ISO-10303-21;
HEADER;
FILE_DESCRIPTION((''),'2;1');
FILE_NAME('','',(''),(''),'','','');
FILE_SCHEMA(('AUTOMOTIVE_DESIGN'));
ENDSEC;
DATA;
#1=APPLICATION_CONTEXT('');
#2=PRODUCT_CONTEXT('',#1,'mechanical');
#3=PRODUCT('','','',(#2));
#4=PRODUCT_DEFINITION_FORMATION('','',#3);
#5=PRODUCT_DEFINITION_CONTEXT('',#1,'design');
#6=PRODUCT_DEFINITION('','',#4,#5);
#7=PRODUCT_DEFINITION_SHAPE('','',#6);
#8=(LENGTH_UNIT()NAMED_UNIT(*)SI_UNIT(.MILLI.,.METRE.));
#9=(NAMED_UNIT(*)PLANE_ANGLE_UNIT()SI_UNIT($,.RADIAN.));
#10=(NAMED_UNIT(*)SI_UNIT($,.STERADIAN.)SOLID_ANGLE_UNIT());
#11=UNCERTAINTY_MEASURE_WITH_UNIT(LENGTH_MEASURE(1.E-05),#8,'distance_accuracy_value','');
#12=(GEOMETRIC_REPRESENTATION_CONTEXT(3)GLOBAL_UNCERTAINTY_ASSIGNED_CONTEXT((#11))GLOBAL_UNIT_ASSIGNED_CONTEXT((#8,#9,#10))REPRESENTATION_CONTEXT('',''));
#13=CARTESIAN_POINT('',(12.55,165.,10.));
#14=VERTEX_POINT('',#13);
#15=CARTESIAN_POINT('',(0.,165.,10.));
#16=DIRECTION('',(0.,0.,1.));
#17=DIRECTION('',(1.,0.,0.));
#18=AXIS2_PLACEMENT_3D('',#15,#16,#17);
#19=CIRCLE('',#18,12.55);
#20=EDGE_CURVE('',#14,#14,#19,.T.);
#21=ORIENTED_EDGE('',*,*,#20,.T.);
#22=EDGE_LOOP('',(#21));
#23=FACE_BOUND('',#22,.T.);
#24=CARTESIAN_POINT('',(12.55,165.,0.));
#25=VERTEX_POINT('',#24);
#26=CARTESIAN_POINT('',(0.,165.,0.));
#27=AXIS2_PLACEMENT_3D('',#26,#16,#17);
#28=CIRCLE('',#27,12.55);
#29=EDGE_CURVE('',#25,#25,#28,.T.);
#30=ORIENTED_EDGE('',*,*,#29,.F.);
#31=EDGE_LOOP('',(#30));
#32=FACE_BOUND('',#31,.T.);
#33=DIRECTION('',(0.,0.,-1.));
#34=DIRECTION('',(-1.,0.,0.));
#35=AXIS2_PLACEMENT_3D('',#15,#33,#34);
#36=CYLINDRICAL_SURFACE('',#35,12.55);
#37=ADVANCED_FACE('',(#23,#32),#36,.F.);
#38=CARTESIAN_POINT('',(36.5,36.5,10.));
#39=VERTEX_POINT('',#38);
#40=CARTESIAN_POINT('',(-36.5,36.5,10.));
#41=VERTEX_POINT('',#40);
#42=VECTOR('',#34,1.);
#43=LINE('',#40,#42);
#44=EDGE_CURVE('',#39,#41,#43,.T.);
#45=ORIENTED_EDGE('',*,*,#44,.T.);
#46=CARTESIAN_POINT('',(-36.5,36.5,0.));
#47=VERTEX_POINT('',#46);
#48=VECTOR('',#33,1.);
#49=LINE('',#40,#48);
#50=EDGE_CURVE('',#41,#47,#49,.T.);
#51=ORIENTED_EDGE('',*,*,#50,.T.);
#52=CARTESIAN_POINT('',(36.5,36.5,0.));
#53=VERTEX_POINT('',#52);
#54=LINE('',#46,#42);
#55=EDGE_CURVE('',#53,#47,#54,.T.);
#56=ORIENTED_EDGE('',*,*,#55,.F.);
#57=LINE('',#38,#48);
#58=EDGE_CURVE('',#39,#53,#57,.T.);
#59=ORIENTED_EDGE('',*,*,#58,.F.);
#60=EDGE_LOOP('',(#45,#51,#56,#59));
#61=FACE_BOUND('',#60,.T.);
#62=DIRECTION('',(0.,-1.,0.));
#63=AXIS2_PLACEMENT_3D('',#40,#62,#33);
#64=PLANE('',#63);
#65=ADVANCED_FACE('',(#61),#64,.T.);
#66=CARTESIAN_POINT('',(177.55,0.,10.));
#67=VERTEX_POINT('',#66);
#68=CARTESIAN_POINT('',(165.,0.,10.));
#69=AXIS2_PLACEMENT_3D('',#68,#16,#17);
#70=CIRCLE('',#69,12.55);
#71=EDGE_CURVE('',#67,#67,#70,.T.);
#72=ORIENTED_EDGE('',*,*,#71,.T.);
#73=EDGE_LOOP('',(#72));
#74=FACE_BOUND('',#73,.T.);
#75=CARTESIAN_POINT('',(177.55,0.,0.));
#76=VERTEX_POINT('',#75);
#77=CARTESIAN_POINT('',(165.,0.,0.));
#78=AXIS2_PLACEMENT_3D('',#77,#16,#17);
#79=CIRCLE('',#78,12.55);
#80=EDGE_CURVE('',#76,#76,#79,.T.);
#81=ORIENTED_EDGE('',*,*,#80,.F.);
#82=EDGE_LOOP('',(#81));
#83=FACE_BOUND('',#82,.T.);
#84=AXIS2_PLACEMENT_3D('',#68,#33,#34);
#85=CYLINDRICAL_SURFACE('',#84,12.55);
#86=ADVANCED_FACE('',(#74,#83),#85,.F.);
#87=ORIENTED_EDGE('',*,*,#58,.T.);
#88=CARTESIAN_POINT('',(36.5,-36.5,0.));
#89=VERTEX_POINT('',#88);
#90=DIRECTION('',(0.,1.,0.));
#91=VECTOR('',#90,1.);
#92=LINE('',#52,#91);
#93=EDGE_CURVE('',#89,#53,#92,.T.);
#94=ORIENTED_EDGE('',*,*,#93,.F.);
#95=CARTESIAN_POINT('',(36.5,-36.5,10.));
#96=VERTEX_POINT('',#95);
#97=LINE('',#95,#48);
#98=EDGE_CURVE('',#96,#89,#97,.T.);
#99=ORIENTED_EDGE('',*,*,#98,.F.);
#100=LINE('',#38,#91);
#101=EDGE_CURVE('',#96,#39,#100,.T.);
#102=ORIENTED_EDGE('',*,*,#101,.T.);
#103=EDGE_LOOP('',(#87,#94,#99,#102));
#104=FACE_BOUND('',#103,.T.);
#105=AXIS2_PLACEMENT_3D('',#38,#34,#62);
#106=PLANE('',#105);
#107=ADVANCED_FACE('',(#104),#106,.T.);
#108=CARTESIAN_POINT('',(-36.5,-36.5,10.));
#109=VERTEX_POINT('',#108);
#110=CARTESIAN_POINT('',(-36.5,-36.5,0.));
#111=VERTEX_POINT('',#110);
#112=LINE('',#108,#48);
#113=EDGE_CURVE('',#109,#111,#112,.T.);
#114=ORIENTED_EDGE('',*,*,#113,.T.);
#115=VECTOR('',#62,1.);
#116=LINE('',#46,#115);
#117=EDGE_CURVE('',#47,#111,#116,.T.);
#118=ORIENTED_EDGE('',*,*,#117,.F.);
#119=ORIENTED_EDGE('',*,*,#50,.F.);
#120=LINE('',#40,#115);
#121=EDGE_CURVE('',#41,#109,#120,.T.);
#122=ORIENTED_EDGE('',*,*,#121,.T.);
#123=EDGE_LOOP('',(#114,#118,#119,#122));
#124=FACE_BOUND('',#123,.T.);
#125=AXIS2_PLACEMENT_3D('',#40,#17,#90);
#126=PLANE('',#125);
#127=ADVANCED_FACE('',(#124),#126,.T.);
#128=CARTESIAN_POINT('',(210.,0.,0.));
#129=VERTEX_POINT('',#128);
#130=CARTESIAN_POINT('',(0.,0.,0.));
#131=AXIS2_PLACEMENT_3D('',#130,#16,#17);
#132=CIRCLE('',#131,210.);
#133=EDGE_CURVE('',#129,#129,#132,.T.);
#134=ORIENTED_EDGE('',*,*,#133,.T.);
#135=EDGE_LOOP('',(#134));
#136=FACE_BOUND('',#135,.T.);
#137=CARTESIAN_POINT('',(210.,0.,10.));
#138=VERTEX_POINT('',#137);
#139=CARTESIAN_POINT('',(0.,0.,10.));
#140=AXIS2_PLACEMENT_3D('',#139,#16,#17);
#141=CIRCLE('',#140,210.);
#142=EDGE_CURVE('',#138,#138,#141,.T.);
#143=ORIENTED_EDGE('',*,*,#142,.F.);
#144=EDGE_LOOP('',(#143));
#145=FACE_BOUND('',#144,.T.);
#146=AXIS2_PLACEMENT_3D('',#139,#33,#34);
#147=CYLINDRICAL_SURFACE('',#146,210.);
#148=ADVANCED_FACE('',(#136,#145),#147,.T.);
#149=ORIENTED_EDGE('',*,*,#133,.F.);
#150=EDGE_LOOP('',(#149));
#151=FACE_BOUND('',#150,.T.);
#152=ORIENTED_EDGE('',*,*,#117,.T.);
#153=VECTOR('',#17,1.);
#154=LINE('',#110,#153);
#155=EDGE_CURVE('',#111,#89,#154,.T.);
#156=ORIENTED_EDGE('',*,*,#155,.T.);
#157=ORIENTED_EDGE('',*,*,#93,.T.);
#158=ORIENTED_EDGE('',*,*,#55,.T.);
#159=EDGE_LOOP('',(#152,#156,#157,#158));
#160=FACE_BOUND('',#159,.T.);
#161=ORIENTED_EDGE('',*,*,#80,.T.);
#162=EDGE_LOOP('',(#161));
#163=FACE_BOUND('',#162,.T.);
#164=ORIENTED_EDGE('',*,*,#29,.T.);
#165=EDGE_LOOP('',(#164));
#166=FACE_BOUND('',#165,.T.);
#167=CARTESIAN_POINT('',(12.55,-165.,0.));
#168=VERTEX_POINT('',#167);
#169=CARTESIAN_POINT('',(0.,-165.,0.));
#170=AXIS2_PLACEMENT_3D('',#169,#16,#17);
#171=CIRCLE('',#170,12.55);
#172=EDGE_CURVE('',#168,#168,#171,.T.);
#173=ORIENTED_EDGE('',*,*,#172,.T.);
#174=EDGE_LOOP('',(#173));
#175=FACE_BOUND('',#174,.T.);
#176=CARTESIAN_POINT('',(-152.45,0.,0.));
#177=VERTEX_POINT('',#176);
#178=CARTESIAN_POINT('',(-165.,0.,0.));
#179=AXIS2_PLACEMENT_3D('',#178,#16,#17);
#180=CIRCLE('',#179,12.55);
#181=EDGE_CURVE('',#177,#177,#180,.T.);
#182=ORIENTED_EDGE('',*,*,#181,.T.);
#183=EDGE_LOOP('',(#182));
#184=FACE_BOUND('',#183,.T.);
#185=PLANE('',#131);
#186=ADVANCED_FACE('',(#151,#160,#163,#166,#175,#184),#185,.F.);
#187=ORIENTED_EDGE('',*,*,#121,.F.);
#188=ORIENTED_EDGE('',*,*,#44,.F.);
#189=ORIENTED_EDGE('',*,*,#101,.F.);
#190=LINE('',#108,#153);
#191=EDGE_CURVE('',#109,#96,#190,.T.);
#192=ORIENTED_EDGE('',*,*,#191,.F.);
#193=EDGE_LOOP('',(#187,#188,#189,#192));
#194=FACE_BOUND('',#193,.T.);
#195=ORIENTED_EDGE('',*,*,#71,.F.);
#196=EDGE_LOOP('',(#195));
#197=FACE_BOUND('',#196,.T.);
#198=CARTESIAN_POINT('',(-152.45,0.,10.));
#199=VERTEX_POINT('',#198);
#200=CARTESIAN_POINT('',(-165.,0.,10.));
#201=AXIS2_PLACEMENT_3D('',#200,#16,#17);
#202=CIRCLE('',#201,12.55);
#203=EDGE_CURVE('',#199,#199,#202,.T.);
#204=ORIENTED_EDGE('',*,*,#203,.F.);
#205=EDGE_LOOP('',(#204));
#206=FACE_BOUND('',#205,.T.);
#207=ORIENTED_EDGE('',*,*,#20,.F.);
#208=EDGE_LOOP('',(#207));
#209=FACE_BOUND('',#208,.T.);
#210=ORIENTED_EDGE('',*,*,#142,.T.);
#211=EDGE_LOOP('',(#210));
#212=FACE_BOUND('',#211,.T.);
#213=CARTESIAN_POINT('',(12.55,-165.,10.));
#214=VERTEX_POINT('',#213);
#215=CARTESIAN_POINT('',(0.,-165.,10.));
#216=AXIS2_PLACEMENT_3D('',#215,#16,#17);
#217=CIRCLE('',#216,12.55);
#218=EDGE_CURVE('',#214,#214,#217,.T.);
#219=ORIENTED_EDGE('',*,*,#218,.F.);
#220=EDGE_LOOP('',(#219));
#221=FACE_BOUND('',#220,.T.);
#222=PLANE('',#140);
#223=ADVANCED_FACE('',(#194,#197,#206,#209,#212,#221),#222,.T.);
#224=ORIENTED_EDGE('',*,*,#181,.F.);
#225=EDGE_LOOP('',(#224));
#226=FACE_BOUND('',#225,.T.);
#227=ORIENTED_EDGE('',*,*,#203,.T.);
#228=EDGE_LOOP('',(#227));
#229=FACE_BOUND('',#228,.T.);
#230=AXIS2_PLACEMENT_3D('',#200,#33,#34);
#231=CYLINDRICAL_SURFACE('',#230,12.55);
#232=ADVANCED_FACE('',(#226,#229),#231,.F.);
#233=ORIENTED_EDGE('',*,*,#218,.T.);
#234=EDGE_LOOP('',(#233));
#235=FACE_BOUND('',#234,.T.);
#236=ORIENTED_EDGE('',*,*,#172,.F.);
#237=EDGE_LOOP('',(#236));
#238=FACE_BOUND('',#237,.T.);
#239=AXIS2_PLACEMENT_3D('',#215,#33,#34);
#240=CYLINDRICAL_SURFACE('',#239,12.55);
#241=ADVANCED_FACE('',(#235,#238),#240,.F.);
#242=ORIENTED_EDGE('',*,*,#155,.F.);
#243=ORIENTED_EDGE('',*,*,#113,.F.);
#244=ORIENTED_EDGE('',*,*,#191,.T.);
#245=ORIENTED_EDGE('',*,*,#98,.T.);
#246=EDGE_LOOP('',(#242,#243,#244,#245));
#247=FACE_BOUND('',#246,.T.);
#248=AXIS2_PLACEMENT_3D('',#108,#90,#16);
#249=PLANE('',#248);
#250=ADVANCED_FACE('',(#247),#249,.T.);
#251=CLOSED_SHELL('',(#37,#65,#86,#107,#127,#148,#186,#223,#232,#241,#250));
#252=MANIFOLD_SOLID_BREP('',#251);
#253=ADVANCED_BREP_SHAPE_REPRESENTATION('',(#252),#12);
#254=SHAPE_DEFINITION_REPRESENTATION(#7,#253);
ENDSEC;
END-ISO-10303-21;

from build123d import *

# Parameters (mm, degrees)
IZIM1_R                     = 210
IZIM1_R_2                   = 12.55
IZIM1_W                     = 73
IZIM1_H                     = 73
Y_KSEKLIK_EKSTR_ZYON1_DEPTH = 10


with BuildPart() as part:
    # Çizim1 → Yükseklik-Ekstrüzyon1 (new body)
    with BuildSketch(Plane.XY):
        Circle(IZIM1_R)
        with Locations((0, 165)):
            Circle(IZIM1_R_2, mode=Mode.SUBTRACT)
        with Locations((165, 0)):
            Circle(IZIM1_R_2, mode=Mode.SUBTRACT)
        with Locations((0, -165)):
            Circle(IZIM1_R_2, mode=Mode.SUBTRACT)
        with Locations((-165, 0)):
            Circle(IZIM1_R_2, mode=Mode.SUBTRACT)
        Rectangle(IZIM1_W, IZIM1_H, mode=Mode.SUBTRACT)
    extrude(amount=Y_KSEKLIK_EKSTR_ZYON1_DEPTH)


solid = part.part
